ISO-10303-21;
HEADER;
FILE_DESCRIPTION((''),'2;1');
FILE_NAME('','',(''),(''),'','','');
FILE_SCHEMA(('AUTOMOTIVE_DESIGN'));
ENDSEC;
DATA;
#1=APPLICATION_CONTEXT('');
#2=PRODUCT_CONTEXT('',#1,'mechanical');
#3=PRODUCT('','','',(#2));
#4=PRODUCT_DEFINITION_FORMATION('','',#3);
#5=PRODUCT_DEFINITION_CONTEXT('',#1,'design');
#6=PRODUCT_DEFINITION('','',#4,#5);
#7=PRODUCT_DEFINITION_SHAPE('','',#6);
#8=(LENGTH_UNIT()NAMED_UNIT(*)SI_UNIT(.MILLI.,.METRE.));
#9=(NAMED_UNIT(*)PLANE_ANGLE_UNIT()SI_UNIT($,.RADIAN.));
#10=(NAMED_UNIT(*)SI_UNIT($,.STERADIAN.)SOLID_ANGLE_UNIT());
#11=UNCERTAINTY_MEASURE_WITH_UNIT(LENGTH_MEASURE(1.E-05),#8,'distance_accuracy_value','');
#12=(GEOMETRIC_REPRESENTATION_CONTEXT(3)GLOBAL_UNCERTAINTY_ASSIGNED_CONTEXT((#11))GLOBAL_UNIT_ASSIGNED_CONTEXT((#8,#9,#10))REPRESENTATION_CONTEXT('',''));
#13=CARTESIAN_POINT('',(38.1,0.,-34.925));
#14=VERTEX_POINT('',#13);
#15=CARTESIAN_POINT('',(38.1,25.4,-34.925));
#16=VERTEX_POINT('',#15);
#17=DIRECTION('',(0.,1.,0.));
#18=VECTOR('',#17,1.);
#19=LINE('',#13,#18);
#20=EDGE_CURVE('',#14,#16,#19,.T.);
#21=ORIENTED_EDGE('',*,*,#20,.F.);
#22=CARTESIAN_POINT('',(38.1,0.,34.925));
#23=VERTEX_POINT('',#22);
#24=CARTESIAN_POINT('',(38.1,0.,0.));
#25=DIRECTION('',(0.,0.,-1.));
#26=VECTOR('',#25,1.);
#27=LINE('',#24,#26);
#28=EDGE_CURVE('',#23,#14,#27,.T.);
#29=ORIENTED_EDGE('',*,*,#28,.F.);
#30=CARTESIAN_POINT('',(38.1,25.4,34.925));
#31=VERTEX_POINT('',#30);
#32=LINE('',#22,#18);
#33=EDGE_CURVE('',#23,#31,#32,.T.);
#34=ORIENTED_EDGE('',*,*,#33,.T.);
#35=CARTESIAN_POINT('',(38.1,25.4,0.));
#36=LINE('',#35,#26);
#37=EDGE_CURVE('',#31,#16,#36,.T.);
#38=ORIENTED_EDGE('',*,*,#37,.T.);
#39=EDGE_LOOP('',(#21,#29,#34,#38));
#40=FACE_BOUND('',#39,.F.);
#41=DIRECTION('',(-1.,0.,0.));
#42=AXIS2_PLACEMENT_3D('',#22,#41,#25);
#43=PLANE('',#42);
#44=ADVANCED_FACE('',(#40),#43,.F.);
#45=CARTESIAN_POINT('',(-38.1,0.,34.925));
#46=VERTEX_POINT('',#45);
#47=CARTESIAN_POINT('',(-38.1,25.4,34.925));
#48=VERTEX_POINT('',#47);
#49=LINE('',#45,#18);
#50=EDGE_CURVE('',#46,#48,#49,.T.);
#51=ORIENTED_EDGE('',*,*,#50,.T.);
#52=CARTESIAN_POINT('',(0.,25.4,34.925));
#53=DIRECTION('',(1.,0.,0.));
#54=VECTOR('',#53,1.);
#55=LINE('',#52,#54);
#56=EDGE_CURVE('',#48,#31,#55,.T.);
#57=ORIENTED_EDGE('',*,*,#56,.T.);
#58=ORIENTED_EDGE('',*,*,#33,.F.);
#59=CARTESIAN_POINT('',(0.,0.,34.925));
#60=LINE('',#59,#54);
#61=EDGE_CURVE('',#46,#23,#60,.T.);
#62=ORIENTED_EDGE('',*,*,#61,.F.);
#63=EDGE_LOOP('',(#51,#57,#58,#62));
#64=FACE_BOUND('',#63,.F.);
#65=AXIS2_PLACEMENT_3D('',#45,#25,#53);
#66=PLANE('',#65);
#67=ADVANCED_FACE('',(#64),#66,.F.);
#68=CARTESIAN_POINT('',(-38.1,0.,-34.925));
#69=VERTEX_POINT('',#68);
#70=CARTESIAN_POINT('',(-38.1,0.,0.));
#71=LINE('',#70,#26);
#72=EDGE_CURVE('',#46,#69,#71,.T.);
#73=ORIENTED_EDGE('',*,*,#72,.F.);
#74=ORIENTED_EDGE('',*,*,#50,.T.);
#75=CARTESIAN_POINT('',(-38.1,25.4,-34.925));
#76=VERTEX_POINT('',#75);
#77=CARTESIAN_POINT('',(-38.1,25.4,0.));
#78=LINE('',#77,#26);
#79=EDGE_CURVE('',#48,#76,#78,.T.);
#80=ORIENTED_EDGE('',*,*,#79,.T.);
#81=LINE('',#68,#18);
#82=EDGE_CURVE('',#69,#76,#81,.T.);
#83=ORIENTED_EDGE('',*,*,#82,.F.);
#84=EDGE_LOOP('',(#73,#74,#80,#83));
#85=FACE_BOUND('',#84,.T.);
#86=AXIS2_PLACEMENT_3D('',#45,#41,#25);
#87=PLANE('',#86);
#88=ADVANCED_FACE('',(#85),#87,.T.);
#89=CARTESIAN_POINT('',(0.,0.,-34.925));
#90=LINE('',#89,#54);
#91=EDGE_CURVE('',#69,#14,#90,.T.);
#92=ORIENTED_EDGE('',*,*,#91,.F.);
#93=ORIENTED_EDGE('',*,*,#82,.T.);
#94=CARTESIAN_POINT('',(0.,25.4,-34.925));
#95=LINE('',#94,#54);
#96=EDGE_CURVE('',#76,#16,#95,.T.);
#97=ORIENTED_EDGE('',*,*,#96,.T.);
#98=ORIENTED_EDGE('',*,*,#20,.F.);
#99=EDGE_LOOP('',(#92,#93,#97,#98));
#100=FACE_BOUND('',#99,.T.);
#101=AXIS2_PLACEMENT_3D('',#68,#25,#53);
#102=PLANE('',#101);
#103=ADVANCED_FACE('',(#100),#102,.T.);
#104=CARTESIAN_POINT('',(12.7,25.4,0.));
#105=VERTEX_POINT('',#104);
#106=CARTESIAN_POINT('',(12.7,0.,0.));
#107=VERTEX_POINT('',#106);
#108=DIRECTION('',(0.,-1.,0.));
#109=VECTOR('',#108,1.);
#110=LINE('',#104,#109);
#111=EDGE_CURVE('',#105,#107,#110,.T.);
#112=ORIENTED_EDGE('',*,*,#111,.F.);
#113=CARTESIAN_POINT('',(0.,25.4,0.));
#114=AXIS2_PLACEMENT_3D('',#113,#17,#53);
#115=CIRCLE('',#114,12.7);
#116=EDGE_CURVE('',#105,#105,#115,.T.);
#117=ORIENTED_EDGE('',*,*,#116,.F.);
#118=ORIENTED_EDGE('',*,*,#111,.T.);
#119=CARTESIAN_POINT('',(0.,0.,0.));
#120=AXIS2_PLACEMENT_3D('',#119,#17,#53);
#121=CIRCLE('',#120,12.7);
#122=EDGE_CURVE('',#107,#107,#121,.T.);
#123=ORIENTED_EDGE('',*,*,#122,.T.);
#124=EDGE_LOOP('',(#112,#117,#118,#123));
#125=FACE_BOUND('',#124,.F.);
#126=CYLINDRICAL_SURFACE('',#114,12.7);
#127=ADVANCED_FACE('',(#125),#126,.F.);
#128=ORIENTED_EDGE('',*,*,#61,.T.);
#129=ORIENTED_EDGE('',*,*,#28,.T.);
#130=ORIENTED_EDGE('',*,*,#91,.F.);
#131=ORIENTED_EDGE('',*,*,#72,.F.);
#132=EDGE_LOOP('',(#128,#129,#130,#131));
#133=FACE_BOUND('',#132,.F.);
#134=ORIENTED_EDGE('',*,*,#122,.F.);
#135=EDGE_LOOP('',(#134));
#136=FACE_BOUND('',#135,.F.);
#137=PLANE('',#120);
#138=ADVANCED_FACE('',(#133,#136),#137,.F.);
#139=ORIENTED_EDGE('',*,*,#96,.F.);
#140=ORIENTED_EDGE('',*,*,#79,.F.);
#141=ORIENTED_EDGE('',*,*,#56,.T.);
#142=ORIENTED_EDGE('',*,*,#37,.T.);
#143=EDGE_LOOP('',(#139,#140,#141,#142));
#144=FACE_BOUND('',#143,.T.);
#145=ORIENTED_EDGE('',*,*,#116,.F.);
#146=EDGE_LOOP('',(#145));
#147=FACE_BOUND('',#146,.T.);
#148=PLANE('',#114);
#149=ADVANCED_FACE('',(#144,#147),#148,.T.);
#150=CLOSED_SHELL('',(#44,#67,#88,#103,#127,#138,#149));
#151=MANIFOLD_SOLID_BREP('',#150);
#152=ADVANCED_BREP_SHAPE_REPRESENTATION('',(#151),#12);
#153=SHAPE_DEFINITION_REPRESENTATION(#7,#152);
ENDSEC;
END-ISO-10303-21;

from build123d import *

# Parameters (mm, degrees)
SKETCH1_W           = 76.2
SKETCH1_H           = 69.85
BOSS_EXTRUDE1_DEPTH = 25.4
SKETCH2_R           = 12.7
CUT_EXTRUDE1_DEPTH  = 26.4


with BuildPart() as part:
    # Sketch1 → Boss-Extrude1 (new body)
    with BuildSketch(Plane(origin=(0, 0, 0), x_dir=(1, 0, 0), z_dir=(0, 1, 0))):
        Rectangle(SKETCH1_W, SKETCH1_H)
    extrude(amount=BOSS_EXTRUDE1_DEPTH)

    # Sketch2 → Cut-Extrude1 (cut, through all)
    with BuildSketch(Plane(origin=(0, 25.4, 0), x_dir=(1, 0, 0), z_dir=(0, 1, 0))):
        Circle(SKETCH2_R)
    extrude(amount=-CUT_EXTRUDE1_DEPTH, mode=Mode.SUBTRACT)


solid = part.part
